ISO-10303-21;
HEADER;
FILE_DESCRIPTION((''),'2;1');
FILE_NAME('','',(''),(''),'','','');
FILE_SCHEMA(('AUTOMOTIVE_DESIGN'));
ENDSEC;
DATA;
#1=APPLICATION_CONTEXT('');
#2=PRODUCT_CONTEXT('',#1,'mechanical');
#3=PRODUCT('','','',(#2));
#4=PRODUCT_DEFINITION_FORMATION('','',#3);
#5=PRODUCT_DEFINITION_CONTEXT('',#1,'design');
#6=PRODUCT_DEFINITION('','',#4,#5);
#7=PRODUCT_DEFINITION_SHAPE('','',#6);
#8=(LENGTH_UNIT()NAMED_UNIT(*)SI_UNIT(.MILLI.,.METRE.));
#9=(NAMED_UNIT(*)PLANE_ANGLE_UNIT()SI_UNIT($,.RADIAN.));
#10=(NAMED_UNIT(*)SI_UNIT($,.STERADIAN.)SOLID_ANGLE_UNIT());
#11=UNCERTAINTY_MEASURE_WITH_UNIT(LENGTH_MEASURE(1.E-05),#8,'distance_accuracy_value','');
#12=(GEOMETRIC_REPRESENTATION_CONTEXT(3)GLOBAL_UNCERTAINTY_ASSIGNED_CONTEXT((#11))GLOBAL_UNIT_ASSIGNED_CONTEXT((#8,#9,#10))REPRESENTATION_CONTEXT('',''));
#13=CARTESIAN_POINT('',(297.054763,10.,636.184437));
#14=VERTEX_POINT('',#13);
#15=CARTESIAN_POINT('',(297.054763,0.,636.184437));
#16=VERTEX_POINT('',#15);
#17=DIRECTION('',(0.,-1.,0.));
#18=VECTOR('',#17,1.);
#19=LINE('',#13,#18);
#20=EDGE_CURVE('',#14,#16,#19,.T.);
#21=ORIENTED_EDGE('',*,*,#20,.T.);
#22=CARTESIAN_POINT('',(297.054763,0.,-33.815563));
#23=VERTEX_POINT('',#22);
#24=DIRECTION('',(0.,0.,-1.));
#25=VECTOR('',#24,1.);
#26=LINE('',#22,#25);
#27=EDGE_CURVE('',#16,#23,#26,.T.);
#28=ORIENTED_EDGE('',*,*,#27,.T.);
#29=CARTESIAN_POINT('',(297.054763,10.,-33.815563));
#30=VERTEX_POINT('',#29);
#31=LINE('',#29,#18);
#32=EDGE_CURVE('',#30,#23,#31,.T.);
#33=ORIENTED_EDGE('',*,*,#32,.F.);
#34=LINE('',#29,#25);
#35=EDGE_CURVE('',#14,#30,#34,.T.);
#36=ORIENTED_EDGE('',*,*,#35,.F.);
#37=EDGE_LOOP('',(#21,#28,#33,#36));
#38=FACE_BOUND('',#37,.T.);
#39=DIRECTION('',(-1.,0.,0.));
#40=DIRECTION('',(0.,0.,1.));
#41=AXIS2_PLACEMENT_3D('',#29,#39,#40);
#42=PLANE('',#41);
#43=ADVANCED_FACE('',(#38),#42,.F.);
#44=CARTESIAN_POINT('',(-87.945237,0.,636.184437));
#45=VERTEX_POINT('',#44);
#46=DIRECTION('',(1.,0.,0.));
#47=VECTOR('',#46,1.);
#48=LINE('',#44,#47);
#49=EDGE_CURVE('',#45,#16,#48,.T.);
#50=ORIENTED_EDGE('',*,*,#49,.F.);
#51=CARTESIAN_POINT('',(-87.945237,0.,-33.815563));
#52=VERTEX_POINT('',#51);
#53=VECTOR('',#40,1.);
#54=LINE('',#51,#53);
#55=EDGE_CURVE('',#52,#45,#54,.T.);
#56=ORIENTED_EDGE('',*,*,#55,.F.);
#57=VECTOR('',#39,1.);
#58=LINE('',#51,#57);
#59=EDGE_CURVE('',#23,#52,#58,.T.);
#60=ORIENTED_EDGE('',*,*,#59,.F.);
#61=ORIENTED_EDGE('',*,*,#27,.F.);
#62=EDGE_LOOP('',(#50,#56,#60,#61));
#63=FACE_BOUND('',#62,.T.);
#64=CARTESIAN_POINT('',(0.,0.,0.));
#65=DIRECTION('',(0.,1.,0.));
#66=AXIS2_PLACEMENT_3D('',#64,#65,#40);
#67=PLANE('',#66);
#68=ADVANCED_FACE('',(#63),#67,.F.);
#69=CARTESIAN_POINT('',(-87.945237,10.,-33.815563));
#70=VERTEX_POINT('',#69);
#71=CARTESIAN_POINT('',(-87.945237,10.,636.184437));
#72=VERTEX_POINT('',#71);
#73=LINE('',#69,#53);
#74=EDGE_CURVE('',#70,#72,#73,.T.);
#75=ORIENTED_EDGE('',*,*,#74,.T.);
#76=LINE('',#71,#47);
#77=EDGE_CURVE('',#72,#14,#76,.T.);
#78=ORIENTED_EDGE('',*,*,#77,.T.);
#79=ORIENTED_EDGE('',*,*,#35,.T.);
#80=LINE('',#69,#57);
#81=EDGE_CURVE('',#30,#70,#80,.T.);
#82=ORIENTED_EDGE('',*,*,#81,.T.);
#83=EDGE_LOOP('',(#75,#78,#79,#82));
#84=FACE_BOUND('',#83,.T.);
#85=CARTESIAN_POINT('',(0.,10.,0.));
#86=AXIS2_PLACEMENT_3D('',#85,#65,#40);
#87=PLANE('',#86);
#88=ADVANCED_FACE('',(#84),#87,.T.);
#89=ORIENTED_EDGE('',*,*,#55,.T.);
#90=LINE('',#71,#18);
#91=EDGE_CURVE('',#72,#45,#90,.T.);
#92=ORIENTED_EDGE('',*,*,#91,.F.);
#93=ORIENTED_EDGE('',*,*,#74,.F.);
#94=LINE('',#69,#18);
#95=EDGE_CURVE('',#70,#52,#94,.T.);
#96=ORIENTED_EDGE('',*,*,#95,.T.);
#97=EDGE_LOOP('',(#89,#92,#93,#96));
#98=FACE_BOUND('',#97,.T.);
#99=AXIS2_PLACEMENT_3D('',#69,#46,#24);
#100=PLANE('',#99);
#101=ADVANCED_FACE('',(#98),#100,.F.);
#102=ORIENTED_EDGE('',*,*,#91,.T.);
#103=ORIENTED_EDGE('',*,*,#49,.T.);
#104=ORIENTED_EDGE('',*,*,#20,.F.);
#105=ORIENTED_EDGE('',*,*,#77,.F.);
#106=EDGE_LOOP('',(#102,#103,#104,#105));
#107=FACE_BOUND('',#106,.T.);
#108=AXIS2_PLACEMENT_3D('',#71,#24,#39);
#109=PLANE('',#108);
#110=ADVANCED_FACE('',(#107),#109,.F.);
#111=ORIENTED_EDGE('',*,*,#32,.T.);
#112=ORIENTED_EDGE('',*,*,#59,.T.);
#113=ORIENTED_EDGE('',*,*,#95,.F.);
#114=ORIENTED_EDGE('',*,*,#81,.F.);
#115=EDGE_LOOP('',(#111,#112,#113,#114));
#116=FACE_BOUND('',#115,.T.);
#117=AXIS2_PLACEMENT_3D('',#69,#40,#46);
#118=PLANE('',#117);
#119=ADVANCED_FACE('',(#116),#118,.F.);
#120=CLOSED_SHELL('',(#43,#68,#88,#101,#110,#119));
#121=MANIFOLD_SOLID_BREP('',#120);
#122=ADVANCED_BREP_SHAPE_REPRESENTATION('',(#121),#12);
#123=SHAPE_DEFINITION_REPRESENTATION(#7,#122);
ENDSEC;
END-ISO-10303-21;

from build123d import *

# Parameters (mm, degrees)
ESQUISSE1_W        = 385
ESQUISSE1_H        = 670
BOSS_EXTRU_1_DEPTH = 10


with BuildPart() as part:
    # Esquisse1 → Boss.-Extru.1 (new body)
    with BuildSketch(Plane(origin=(0, 0, 0), x_dir=(1, 0, 0), z_dir=(0, 1, 0))):
        with Locations((104.554763419, -301.184437202)):
            Rectangle(ESQUISSE1_W, ESQUISSE1_H)
    extrude(amount=BOSS_EXTRU_1_DEPTH)


solid = part.part
